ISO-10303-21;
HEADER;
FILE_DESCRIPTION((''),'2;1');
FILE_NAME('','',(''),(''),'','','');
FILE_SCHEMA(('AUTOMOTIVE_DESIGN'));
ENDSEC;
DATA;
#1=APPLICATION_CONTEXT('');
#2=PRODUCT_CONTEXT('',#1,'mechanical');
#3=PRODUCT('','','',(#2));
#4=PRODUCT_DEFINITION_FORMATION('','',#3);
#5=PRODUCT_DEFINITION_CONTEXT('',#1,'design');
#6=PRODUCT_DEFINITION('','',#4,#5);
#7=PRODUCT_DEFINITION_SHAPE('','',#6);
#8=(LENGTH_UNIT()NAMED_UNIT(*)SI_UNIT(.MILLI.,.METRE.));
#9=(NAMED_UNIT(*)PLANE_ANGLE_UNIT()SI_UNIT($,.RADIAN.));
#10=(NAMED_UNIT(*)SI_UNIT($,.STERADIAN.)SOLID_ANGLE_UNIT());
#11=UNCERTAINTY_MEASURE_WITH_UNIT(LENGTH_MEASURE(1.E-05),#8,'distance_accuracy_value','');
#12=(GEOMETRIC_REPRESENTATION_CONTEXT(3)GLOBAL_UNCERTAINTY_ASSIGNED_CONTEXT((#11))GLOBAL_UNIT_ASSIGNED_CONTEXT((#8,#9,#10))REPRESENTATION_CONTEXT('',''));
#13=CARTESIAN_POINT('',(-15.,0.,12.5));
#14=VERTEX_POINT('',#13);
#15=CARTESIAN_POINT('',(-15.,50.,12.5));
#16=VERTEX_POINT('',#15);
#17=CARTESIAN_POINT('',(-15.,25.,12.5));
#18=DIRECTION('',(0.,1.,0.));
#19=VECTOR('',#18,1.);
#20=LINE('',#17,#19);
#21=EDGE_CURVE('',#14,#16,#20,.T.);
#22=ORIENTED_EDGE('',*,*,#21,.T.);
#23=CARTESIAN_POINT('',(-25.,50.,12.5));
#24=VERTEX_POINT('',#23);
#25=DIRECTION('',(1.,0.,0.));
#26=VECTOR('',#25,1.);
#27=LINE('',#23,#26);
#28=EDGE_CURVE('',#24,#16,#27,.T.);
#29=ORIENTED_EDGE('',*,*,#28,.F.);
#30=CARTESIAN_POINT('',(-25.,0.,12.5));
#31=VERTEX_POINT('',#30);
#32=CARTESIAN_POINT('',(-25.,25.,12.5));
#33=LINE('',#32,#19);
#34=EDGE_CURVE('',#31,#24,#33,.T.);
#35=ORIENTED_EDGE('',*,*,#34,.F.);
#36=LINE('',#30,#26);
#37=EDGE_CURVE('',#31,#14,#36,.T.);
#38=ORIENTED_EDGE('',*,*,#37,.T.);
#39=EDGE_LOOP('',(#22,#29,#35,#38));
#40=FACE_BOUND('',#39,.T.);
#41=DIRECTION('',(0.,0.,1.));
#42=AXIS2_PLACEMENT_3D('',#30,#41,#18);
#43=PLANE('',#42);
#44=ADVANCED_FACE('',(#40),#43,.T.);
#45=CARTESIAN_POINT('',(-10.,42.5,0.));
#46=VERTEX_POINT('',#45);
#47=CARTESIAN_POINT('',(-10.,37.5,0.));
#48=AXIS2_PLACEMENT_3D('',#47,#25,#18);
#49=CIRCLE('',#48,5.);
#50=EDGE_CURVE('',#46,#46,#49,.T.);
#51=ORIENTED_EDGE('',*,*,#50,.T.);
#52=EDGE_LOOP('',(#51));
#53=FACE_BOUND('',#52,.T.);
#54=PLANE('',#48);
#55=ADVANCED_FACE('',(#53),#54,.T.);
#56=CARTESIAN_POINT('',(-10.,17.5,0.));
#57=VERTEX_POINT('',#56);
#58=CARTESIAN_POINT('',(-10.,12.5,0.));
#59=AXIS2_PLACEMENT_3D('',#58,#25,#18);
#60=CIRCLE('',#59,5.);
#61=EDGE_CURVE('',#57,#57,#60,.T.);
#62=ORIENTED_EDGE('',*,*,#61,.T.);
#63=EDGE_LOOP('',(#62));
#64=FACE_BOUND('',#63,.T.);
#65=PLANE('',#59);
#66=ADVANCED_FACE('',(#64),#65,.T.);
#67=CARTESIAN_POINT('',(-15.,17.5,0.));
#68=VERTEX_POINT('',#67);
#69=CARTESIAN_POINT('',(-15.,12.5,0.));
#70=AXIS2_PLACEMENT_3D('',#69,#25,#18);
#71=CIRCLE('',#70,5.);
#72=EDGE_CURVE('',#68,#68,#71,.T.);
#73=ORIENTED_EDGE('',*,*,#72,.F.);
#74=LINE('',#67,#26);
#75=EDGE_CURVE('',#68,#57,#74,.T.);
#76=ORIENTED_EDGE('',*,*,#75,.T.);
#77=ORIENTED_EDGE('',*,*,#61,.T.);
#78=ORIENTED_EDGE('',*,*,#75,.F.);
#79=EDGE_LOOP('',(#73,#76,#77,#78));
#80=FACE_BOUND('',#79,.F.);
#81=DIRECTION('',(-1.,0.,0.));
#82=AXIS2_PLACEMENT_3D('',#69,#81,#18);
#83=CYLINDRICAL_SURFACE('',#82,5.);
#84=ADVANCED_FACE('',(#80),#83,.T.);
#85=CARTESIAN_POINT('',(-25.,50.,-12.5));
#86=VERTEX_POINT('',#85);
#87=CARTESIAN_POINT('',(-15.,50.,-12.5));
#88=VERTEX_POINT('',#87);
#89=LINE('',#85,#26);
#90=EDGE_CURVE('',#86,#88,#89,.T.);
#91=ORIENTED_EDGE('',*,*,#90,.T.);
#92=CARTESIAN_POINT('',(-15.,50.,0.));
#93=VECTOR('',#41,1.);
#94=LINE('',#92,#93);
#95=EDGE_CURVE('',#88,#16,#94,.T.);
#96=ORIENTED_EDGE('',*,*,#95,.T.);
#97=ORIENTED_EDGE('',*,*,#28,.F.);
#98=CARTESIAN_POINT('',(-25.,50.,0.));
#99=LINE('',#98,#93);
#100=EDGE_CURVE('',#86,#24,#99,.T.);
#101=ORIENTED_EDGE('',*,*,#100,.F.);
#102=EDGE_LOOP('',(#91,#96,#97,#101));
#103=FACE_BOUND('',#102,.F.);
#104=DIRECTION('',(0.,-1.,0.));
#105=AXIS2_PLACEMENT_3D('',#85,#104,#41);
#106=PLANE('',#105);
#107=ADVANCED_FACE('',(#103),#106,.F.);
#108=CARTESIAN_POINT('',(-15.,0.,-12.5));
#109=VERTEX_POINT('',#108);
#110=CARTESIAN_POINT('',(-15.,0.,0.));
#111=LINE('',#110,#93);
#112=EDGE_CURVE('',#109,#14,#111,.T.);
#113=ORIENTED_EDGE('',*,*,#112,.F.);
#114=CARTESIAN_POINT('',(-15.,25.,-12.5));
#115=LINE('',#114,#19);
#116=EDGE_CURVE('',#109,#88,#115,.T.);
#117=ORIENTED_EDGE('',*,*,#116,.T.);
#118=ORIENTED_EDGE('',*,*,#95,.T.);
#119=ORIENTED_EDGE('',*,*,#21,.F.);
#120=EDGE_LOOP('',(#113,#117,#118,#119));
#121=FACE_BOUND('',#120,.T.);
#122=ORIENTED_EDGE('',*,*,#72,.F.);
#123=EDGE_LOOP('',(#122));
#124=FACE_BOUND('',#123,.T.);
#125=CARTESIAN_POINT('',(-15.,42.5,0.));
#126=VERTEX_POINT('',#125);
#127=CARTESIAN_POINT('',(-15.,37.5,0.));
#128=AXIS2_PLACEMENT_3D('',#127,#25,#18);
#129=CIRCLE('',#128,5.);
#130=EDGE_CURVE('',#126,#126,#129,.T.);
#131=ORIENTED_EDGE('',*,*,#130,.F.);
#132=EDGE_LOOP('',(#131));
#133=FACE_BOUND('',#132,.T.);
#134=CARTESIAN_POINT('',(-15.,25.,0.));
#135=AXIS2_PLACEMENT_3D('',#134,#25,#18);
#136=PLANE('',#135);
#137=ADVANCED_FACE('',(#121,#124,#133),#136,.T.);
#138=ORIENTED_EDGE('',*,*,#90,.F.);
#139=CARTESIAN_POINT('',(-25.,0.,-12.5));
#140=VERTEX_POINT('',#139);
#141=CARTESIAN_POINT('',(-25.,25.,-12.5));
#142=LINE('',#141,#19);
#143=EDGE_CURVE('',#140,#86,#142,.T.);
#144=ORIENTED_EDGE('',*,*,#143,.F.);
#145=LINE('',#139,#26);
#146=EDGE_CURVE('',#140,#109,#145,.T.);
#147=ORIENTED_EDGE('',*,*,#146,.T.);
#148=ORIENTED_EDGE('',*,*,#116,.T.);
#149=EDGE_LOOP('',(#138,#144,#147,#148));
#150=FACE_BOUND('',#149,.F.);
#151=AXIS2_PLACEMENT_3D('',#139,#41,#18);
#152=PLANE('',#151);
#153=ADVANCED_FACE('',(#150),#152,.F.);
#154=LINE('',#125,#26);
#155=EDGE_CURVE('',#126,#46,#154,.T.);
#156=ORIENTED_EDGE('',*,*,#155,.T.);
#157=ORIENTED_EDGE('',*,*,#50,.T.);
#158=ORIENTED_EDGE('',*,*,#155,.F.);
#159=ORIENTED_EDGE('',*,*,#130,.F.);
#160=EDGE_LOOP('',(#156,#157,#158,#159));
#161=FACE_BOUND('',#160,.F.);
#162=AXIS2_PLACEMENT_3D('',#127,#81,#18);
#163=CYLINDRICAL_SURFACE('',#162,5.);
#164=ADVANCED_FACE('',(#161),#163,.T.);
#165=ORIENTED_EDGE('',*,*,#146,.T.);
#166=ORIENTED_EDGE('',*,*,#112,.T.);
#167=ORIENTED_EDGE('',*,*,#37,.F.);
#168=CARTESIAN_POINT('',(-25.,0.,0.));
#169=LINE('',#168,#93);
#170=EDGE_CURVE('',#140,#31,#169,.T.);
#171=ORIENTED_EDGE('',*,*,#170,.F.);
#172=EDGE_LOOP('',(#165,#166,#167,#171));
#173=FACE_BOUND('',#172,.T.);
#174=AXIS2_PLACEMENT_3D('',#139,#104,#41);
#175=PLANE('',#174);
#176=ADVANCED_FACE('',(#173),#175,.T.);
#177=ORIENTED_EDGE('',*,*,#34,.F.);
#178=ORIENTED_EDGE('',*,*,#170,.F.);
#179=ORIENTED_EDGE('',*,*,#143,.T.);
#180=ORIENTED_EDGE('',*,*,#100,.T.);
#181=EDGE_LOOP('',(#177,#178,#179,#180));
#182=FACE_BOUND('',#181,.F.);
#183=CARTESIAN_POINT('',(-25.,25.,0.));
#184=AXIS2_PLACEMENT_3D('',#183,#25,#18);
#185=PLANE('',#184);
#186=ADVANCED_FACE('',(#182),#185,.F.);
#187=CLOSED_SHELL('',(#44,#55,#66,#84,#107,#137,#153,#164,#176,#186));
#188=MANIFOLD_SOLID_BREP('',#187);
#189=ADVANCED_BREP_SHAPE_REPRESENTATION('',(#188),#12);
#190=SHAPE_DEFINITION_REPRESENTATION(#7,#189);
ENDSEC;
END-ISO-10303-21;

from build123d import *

# Parameters (mm, degrees)
F0_W     = 50
F0_H     = 25
F1_DEPTH = 10
F2_R     = 5
F3_DEPTH = 5
F4_ANGLE = 270


with BuildPart() as f1:
    # F0 (on Front) → F1 (new body)
    with BuildSketch(Plane.XZ):
        Rectangle(F0_W, F0_H)
    extrude(amount=F1_DEPTH)

    # F2 (on face) → F3 (join)
    with BuildSketch(Plane.XZ.offset(10)):
        with Locations((-12.5, 0)):
            Circle(F2_R)
        with Locations((12.5, 0)):
            Circle(F2_R)
    extrude(amount=F3_DEPTH)


with BuildPart() as f1_1:
    # F4: moved
    add(f1.part.rotate(Axis((-25, 0, 0), (0, 0, -1)), F4_ANGLE))


solid = f1_1.part
